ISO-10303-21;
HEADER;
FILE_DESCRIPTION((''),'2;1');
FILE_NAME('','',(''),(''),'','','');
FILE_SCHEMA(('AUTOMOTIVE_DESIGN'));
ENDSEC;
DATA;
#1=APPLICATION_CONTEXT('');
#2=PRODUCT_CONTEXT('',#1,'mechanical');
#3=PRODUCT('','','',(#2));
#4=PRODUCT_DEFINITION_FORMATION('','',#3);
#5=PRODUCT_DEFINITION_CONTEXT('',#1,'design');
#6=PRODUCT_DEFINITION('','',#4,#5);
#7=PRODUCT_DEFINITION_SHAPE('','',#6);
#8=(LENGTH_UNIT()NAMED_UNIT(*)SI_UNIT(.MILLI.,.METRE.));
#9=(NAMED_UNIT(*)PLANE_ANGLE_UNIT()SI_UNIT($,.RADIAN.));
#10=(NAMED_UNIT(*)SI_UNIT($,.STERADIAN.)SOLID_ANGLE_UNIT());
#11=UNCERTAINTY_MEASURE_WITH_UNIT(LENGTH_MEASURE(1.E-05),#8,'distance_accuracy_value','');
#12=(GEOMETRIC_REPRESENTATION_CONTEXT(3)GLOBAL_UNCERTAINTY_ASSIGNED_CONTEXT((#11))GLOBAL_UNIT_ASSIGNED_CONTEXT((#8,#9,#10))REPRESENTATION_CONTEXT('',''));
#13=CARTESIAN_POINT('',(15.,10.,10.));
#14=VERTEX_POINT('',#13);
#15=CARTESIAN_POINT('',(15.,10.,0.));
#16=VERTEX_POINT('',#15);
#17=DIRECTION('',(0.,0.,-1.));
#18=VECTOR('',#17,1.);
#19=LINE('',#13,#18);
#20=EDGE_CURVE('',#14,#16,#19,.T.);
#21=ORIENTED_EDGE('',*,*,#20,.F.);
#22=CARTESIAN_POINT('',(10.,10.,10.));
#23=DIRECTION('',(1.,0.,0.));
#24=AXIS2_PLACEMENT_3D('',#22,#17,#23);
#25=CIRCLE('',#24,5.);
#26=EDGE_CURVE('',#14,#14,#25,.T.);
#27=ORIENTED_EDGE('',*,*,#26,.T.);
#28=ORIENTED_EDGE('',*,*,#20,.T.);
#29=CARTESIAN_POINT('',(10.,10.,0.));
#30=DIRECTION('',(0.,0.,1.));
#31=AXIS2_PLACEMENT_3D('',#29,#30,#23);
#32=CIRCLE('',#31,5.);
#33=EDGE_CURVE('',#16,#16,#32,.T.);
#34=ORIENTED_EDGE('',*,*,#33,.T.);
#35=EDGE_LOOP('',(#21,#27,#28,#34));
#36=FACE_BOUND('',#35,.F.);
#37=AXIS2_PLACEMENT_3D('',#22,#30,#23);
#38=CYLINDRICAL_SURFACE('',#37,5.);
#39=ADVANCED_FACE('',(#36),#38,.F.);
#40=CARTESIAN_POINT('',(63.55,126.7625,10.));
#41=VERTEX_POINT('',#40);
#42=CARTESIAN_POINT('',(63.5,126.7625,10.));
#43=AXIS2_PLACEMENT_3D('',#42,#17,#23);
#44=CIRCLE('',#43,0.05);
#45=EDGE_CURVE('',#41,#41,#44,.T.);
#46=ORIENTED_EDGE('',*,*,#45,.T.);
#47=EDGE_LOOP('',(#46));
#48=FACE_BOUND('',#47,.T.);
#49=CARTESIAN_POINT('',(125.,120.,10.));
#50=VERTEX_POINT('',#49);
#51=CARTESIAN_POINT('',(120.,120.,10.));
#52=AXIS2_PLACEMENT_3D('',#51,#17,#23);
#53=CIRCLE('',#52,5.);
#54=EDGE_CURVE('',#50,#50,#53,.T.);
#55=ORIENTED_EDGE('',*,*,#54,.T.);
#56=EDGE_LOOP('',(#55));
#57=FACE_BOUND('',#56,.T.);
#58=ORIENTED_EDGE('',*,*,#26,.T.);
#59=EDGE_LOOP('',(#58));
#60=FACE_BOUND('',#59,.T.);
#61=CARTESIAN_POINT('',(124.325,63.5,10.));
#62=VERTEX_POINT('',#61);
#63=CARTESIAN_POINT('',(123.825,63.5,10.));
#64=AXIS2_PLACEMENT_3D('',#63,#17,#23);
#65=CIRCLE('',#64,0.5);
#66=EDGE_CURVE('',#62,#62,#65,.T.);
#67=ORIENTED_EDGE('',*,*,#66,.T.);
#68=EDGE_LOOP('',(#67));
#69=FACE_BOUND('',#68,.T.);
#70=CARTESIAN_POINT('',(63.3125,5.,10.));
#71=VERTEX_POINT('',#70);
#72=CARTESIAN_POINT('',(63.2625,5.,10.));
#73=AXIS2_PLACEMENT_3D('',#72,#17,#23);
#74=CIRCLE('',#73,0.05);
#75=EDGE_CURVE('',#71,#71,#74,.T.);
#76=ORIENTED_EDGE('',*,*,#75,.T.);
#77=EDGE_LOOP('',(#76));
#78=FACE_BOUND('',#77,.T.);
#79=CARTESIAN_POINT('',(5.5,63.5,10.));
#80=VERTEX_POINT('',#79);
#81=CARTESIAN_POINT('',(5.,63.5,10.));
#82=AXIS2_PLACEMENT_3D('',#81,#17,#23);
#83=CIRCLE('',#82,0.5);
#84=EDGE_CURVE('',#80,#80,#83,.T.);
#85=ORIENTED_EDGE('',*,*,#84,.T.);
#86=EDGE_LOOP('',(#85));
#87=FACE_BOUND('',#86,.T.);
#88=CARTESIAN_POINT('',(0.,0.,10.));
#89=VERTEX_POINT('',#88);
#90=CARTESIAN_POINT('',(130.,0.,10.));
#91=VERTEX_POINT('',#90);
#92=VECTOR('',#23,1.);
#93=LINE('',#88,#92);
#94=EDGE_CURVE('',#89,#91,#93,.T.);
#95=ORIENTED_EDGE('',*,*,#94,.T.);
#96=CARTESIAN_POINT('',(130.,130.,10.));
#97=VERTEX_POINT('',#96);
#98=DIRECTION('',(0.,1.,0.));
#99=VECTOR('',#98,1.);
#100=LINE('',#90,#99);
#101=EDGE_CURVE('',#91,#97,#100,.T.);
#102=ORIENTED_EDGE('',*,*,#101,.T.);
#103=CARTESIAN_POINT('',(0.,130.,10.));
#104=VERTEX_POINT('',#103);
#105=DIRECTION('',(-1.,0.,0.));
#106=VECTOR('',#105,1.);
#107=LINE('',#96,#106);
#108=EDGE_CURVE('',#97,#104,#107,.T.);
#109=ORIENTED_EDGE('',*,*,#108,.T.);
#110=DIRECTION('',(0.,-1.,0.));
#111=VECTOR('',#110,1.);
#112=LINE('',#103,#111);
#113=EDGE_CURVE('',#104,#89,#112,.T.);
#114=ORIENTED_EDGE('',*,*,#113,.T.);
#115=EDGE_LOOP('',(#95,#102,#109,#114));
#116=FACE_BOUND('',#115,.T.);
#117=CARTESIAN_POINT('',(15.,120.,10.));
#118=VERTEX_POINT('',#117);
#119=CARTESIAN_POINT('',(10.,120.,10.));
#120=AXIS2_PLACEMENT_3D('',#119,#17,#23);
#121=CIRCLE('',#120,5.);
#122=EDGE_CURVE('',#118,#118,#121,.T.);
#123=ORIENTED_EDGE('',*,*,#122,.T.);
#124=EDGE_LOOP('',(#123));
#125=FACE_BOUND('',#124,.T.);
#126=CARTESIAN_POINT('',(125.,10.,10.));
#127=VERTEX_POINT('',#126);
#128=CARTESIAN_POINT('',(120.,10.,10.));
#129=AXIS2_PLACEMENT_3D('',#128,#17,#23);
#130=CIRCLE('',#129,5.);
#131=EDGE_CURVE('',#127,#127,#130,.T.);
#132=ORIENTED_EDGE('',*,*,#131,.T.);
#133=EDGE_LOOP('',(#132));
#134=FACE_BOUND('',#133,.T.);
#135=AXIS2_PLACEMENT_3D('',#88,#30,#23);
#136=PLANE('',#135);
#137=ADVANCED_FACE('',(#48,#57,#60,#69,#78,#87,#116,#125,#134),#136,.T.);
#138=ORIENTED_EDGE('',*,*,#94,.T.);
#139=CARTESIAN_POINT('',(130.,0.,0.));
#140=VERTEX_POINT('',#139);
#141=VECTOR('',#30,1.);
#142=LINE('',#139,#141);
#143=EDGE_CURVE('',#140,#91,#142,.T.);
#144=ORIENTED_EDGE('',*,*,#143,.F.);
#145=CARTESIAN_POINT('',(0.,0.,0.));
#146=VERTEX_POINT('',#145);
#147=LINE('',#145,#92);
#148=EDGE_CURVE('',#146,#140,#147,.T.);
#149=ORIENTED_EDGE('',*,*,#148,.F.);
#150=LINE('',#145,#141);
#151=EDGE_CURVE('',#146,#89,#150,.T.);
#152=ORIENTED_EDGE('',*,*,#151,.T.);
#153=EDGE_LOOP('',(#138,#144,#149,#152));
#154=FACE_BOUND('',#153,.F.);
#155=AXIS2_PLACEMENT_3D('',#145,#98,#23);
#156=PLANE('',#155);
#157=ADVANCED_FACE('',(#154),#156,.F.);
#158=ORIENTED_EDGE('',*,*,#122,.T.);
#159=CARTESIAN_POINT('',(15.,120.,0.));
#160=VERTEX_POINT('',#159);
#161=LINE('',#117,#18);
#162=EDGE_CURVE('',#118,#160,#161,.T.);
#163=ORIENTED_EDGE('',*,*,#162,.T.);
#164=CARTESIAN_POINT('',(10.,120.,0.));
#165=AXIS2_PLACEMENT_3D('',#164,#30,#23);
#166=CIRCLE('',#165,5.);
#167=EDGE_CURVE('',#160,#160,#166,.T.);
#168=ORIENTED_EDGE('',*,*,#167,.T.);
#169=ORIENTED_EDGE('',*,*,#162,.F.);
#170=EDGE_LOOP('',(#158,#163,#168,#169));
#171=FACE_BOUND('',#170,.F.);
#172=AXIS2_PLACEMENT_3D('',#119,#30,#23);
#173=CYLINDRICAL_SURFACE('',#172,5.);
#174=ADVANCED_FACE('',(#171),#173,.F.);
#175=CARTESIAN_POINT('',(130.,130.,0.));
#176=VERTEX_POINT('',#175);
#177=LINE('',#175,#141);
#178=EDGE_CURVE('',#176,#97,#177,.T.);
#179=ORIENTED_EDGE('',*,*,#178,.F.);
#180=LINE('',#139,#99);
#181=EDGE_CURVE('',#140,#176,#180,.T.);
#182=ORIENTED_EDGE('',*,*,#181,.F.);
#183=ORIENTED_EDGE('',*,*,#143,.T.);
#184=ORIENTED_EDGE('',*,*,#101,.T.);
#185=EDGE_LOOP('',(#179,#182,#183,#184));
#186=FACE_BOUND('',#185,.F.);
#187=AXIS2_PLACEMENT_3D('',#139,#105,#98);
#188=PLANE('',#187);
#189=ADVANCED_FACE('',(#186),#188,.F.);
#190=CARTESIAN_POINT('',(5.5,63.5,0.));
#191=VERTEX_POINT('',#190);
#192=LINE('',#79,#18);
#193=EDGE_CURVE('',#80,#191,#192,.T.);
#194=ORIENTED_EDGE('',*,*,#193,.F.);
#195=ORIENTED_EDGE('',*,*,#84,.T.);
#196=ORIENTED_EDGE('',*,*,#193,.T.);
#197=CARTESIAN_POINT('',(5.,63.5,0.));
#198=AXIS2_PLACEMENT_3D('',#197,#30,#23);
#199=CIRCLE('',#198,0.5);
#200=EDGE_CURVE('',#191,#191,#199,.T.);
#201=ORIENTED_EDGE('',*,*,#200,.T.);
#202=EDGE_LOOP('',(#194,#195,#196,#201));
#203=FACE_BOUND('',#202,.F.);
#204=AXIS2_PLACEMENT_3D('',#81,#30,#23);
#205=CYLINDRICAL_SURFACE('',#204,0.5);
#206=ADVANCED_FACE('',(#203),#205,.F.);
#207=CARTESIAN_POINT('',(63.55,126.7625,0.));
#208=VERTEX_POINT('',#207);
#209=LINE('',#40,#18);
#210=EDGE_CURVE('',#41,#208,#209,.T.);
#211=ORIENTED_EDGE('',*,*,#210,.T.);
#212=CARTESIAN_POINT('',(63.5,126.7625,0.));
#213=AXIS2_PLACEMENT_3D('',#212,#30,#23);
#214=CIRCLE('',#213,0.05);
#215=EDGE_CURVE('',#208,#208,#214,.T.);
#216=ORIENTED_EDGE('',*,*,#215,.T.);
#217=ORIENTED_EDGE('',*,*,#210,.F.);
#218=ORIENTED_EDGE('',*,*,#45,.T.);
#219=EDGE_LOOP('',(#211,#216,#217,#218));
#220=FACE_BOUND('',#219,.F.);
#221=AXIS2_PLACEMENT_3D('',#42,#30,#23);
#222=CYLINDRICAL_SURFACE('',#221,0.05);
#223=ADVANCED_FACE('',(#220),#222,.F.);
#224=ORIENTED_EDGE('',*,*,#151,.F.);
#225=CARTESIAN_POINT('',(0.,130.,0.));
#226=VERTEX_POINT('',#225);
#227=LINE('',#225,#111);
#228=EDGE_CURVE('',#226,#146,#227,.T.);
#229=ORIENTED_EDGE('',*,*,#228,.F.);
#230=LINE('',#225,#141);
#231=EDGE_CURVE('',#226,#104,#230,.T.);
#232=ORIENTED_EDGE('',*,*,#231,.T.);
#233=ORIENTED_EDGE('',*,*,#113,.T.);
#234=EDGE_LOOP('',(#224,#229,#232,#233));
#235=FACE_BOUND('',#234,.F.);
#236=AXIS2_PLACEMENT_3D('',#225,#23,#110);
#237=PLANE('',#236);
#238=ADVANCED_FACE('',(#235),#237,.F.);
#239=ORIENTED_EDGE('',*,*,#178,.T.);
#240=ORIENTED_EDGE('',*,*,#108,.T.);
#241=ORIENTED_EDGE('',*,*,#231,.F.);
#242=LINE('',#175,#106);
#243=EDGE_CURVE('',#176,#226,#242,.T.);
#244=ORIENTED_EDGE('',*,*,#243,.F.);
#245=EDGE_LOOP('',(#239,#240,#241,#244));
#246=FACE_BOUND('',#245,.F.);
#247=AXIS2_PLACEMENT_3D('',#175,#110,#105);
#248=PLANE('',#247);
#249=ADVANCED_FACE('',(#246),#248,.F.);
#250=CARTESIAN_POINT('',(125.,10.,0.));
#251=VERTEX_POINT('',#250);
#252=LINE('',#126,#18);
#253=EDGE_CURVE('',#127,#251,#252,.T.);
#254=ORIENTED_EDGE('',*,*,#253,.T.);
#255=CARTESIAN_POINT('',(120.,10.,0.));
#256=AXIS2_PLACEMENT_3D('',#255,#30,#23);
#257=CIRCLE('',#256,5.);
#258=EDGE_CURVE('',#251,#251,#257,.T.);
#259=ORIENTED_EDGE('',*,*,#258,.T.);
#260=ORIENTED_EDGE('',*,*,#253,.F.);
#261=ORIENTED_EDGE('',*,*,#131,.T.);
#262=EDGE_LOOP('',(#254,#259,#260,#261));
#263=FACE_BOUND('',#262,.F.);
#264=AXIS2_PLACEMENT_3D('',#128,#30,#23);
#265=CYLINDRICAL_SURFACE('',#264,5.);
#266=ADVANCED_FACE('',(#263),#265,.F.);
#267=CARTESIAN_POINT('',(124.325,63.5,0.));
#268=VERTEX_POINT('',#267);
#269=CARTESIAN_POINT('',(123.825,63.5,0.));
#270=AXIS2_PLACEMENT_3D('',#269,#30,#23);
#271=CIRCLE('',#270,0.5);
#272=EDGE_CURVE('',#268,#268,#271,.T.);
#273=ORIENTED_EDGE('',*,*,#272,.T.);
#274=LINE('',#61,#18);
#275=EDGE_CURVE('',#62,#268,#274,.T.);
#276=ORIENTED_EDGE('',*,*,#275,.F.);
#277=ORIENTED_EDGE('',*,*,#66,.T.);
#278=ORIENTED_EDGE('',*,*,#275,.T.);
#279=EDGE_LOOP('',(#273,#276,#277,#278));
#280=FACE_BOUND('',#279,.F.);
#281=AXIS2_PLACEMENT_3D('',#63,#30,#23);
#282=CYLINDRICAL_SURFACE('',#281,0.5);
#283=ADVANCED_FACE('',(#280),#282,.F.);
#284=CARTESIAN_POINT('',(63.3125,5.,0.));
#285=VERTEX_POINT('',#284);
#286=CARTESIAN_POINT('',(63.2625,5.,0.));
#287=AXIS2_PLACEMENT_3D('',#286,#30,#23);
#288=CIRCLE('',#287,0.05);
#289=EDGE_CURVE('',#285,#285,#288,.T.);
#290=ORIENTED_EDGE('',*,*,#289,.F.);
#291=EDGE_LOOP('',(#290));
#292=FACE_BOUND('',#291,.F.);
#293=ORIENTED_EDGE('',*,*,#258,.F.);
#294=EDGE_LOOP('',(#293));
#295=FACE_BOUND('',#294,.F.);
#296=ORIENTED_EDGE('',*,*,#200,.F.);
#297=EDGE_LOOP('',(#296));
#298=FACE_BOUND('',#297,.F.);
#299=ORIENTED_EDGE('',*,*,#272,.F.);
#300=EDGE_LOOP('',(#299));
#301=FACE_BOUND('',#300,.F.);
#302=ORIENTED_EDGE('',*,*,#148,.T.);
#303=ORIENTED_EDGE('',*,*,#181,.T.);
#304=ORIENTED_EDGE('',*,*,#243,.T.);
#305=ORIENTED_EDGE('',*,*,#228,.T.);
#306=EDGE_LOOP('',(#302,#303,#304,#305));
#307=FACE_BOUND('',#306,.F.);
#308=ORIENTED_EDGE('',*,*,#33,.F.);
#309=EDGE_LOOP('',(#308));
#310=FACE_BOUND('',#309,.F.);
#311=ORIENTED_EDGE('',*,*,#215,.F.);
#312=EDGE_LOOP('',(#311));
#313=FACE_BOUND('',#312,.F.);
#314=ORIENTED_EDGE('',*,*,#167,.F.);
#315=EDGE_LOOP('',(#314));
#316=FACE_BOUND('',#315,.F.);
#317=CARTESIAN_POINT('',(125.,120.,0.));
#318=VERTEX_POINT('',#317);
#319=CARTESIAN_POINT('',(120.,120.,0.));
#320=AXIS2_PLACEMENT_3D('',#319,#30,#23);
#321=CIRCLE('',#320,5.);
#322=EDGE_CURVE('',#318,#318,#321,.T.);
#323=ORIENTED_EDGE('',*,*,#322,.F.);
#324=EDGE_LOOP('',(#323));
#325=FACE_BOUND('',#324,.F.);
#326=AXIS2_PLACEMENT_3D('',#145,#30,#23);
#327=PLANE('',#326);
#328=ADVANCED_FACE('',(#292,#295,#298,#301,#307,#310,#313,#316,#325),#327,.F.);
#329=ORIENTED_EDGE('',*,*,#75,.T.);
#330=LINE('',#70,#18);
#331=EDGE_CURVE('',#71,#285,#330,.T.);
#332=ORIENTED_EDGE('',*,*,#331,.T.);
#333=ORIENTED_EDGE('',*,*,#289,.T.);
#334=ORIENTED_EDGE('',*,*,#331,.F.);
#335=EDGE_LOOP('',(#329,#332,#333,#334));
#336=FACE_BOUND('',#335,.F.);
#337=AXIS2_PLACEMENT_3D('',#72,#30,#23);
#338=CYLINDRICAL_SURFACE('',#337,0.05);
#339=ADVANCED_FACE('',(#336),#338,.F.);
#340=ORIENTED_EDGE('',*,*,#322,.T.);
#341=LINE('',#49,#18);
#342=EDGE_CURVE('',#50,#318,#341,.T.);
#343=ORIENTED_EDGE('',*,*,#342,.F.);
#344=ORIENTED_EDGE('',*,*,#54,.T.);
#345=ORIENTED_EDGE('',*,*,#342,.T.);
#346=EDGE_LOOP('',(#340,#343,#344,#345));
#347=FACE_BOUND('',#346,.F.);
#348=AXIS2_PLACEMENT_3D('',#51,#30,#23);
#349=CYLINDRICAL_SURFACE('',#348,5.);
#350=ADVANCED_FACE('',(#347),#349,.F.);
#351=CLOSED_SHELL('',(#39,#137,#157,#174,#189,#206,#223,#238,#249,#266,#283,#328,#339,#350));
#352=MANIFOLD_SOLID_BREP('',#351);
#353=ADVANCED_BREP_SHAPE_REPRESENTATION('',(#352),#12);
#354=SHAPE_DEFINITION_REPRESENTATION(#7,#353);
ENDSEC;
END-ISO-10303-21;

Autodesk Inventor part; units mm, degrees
ref_plane "YZ Plane" through (0, 0, 0) normal (1, 0, 0) x (0, 1, 0)
ref_plane "XZ Plane" through (0, 0, 0) normal (0, 1, 0) x (-1, 0, 0)
ref_plane "XY Plane" through (0, 0, 0) normal (0, 0, 1) x (1, 0, 0)
sketch "Sketch1" plane through (0, 0, 0) normal (0, 0, 1) x (1, 0, 0)
  line L0 (0, 0) -> (130, 0)
  line L1 (130, 0) -> (130, 130)
  line L2 (130, 130) -> (0, 130)
  line L3 (0, 130) -> (0, 0)
  dimension "d0" = 130
  dimension "d1" = 130
extrude "Extrusion1" add sketch "Sketch1" along normal blind 10
sketch "Sketch2" plane through (0, 0, 10) normal (0, 0, 1) x (1, 0, 0)
  line L0 (0, 0) -> (130, 0) projected
  line L1 (0, 0) -> (10, 0)
  line L2 (10, 0) -> (10, 110)
  line L3 (10, 110) -> (10, 120)
  line L4 (10, 120) -> (120, 120)
  line L5 (120, 120) -> (120, 10)
  line L6 (120, 10) -> (10, 10)
  circle A0 centre (10, 120) radius 5
  circle A1 centre (120, 120) radius 5
  circle A2 centre (10, 10) radius 5
  circle A3 centre (120, 10) radius 5
  dimension "d4" = 10
  dimension "d5" = 110
  dimension "d6" = 10
  dimension "d7" = 110
  dimension "d8" = 110
  dimension "d9" = 110
  dimension "d10" = 10
  dimension "d11" = 10
  dimension "d12" = 10
  dimension "d13" = 10
extrude "Extrusion2" cut sketch "Sketch2" against normal through all contours A2 L2 | L2 L6 A2 | L2 A2 L6 | A3 L5 L6 | L6 L5 A3 | A0 L4 L3 | L3 L4 A0 | A1 L4 L5 | L5 L4 A1
sketch "Sketch3" plane through (0, 0, 10) normal (0, 0, 1) x (1, 0, 0)
  line L0 (0, 0) -> (130, 0) projected
  line L1 (68.2625, 0) -> (63.2625, 0)
  line L2 (63.2625, 0) -> (63.2625, 5)
  circle A0 centre (63.2625, 5) radius 0.05
  dimension "d16" = 5
  dimension "d17" = 5
  dimension "d18" = 0.1
extrude "Extrusion3" cut sketch "Sketch3" along normal through all both and the other way through all
sketch "Sketch4" plane through (0, 0, 10) normal (0, 0, 1) x (1, 0, 0)
  line L0 (63.5, 131.7625) -> (63.5, 126.7625)
  circle A0 centre (63.5, 126.7625) radius 0.05
  point P0 (0, 0)
  dimension "d21" = 5
  dimension "d22" = 0.1
extrude "Extrusion4" cut sketch "Sketch4" against normal blind 10
sketch "Sketch5" plane through (0, 0, 10) normal (0, 0, 1) x (1, 0, 0)
  line L0 (0, 63.5) -> (5, 63.5)
  line L1 (5, 63.5) -> (123.825, 63.5)
  circle A0 centre (5, 63.5) radius 0.5
  circle A1 centre (123.825, 63.5) radius 0.5
  point P0 (0, 0)
  dimension "d25" = 5
  dimension "d26" = 1
  dimension "d27" = 1
extrude "Extrusion5" cut sketch "Sketch5" against normal through all
sketch "Sketch6" plane through (0, 0, 10) normal (0, 0, 1) x (1, 0, 0)
  point P0 (0, 0)
properties part number "STAND PLATE FOR STORSGE SYSTEM"
